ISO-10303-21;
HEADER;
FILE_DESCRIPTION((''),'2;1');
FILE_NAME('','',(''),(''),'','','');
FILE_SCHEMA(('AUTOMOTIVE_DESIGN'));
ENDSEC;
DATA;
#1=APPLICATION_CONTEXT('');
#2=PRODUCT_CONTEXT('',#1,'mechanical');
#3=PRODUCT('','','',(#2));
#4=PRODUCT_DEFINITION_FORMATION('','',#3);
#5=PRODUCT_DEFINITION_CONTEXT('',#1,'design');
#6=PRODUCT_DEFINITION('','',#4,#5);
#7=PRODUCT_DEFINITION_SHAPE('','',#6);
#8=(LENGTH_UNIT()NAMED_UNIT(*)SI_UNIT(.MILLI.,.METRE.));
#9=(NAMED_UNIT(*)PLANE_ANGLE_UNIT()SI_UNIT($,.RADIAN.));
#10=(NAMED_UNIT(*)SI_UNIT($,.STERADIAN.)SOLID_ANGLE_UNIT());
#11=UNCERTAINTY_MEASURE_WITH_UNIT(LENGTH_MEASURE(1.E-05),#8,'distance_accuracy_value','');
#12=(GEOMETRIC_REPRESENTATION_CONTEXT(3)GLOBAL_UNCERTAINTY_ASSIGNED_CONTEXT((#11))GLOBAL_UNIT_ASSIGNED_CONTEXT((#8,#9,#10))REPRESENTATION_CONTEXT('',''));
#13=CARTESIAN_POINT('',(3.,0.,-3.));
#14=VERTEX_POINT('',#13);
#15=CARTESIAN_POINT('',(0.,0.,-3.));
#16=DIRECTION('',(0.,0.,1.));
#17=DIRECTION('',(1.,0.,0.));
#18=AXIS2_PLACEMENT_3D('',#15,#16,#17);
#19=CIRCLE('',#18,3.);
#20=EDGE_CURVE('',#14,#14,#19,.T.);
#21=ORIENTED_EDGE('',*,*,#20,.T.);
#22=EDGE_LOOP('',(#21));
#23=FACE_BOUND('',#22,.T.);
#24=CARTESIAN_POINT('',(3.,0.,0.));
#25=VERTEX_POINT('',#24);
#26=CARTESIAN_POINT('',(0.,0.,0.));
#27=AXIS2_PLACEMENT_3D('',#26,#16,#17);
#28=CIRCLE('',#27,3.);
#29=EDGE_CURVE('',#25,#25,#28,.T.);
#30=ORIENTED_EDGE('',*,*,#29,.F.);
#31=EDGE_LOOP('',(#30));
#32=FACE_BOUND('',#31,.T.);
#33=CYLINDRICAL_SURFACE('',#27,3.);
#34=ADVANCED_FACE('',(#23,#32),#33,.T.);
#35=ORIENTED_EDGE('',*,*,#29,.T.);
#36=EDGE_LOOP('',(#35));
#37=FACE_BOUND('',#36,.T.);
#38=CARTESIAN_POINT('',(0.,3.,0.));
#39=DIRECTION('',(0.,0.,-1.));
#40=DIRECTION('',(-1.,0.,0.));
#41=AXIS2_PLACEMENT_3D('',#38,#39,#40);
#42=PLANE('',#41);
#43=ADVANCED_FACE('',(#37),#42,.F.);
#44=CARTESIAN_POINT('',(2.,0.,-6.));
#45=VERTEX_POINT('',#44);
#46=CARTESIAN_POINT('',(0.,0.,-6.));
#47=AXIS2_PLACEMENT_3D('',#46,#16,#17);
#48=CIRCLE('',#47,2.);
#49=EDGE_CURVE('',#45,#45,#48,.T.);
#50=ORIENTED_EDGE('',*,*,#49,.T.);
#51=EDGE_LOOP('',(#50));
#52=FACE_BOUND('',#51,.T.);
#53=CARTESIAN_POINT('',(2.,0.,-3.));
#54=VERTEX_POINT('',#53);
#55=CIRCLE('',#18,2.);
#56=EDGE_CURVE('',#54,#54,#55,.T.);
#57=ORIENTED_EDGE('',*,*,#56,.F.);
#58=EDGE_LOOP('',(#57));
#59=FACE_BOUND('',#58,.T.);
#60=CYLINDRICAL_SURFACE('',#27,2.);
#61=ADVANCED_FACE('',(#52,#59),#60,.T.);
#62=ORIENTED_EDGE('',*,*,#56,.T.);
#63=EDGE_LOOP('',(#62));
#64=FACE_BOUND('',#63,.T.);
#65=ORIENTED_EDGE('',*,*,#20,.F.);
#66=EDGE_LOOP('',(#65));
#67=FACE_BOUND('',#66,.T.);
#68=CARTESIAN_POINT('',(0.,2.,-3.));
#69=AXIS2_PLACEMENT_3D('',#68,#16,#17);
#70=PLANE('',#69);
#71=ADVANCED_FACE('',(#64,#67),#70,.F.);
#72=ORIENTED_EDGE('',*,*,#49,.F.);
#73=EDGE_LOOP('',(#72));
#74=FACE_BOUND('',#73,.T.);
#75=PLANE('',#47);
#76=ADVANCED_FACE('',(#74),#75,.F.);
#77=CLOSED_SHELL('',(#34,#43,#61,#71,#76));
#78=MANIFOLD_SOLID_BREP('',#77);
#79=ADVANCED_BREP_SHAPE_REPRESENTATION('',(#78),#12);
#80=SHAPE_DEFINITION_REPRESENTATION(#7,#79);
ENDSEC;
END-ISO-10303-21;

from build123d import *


with BuildPart() as part:
    # 草图1 → 旋转1 (revolve)
    with BuildSketch(Plane(origin=(0, 0, 0), x_dir=(0, 0, -1), z_dir=(1, 0, 0)), mode=Mode.PRIVATE) as revolve_1_sk:
        Polygon((0, 0), (6, 0), (6, 2), (3, 2), (3, 3), (0, 3), align=None)
    revolve(revolve_1_sk.sketch.rotate(Axis((0, 0, 0), (0, 0, -1)), 90), axis=Axis((0, 0, 0), (0, 0, -1)))


solid = part.part
